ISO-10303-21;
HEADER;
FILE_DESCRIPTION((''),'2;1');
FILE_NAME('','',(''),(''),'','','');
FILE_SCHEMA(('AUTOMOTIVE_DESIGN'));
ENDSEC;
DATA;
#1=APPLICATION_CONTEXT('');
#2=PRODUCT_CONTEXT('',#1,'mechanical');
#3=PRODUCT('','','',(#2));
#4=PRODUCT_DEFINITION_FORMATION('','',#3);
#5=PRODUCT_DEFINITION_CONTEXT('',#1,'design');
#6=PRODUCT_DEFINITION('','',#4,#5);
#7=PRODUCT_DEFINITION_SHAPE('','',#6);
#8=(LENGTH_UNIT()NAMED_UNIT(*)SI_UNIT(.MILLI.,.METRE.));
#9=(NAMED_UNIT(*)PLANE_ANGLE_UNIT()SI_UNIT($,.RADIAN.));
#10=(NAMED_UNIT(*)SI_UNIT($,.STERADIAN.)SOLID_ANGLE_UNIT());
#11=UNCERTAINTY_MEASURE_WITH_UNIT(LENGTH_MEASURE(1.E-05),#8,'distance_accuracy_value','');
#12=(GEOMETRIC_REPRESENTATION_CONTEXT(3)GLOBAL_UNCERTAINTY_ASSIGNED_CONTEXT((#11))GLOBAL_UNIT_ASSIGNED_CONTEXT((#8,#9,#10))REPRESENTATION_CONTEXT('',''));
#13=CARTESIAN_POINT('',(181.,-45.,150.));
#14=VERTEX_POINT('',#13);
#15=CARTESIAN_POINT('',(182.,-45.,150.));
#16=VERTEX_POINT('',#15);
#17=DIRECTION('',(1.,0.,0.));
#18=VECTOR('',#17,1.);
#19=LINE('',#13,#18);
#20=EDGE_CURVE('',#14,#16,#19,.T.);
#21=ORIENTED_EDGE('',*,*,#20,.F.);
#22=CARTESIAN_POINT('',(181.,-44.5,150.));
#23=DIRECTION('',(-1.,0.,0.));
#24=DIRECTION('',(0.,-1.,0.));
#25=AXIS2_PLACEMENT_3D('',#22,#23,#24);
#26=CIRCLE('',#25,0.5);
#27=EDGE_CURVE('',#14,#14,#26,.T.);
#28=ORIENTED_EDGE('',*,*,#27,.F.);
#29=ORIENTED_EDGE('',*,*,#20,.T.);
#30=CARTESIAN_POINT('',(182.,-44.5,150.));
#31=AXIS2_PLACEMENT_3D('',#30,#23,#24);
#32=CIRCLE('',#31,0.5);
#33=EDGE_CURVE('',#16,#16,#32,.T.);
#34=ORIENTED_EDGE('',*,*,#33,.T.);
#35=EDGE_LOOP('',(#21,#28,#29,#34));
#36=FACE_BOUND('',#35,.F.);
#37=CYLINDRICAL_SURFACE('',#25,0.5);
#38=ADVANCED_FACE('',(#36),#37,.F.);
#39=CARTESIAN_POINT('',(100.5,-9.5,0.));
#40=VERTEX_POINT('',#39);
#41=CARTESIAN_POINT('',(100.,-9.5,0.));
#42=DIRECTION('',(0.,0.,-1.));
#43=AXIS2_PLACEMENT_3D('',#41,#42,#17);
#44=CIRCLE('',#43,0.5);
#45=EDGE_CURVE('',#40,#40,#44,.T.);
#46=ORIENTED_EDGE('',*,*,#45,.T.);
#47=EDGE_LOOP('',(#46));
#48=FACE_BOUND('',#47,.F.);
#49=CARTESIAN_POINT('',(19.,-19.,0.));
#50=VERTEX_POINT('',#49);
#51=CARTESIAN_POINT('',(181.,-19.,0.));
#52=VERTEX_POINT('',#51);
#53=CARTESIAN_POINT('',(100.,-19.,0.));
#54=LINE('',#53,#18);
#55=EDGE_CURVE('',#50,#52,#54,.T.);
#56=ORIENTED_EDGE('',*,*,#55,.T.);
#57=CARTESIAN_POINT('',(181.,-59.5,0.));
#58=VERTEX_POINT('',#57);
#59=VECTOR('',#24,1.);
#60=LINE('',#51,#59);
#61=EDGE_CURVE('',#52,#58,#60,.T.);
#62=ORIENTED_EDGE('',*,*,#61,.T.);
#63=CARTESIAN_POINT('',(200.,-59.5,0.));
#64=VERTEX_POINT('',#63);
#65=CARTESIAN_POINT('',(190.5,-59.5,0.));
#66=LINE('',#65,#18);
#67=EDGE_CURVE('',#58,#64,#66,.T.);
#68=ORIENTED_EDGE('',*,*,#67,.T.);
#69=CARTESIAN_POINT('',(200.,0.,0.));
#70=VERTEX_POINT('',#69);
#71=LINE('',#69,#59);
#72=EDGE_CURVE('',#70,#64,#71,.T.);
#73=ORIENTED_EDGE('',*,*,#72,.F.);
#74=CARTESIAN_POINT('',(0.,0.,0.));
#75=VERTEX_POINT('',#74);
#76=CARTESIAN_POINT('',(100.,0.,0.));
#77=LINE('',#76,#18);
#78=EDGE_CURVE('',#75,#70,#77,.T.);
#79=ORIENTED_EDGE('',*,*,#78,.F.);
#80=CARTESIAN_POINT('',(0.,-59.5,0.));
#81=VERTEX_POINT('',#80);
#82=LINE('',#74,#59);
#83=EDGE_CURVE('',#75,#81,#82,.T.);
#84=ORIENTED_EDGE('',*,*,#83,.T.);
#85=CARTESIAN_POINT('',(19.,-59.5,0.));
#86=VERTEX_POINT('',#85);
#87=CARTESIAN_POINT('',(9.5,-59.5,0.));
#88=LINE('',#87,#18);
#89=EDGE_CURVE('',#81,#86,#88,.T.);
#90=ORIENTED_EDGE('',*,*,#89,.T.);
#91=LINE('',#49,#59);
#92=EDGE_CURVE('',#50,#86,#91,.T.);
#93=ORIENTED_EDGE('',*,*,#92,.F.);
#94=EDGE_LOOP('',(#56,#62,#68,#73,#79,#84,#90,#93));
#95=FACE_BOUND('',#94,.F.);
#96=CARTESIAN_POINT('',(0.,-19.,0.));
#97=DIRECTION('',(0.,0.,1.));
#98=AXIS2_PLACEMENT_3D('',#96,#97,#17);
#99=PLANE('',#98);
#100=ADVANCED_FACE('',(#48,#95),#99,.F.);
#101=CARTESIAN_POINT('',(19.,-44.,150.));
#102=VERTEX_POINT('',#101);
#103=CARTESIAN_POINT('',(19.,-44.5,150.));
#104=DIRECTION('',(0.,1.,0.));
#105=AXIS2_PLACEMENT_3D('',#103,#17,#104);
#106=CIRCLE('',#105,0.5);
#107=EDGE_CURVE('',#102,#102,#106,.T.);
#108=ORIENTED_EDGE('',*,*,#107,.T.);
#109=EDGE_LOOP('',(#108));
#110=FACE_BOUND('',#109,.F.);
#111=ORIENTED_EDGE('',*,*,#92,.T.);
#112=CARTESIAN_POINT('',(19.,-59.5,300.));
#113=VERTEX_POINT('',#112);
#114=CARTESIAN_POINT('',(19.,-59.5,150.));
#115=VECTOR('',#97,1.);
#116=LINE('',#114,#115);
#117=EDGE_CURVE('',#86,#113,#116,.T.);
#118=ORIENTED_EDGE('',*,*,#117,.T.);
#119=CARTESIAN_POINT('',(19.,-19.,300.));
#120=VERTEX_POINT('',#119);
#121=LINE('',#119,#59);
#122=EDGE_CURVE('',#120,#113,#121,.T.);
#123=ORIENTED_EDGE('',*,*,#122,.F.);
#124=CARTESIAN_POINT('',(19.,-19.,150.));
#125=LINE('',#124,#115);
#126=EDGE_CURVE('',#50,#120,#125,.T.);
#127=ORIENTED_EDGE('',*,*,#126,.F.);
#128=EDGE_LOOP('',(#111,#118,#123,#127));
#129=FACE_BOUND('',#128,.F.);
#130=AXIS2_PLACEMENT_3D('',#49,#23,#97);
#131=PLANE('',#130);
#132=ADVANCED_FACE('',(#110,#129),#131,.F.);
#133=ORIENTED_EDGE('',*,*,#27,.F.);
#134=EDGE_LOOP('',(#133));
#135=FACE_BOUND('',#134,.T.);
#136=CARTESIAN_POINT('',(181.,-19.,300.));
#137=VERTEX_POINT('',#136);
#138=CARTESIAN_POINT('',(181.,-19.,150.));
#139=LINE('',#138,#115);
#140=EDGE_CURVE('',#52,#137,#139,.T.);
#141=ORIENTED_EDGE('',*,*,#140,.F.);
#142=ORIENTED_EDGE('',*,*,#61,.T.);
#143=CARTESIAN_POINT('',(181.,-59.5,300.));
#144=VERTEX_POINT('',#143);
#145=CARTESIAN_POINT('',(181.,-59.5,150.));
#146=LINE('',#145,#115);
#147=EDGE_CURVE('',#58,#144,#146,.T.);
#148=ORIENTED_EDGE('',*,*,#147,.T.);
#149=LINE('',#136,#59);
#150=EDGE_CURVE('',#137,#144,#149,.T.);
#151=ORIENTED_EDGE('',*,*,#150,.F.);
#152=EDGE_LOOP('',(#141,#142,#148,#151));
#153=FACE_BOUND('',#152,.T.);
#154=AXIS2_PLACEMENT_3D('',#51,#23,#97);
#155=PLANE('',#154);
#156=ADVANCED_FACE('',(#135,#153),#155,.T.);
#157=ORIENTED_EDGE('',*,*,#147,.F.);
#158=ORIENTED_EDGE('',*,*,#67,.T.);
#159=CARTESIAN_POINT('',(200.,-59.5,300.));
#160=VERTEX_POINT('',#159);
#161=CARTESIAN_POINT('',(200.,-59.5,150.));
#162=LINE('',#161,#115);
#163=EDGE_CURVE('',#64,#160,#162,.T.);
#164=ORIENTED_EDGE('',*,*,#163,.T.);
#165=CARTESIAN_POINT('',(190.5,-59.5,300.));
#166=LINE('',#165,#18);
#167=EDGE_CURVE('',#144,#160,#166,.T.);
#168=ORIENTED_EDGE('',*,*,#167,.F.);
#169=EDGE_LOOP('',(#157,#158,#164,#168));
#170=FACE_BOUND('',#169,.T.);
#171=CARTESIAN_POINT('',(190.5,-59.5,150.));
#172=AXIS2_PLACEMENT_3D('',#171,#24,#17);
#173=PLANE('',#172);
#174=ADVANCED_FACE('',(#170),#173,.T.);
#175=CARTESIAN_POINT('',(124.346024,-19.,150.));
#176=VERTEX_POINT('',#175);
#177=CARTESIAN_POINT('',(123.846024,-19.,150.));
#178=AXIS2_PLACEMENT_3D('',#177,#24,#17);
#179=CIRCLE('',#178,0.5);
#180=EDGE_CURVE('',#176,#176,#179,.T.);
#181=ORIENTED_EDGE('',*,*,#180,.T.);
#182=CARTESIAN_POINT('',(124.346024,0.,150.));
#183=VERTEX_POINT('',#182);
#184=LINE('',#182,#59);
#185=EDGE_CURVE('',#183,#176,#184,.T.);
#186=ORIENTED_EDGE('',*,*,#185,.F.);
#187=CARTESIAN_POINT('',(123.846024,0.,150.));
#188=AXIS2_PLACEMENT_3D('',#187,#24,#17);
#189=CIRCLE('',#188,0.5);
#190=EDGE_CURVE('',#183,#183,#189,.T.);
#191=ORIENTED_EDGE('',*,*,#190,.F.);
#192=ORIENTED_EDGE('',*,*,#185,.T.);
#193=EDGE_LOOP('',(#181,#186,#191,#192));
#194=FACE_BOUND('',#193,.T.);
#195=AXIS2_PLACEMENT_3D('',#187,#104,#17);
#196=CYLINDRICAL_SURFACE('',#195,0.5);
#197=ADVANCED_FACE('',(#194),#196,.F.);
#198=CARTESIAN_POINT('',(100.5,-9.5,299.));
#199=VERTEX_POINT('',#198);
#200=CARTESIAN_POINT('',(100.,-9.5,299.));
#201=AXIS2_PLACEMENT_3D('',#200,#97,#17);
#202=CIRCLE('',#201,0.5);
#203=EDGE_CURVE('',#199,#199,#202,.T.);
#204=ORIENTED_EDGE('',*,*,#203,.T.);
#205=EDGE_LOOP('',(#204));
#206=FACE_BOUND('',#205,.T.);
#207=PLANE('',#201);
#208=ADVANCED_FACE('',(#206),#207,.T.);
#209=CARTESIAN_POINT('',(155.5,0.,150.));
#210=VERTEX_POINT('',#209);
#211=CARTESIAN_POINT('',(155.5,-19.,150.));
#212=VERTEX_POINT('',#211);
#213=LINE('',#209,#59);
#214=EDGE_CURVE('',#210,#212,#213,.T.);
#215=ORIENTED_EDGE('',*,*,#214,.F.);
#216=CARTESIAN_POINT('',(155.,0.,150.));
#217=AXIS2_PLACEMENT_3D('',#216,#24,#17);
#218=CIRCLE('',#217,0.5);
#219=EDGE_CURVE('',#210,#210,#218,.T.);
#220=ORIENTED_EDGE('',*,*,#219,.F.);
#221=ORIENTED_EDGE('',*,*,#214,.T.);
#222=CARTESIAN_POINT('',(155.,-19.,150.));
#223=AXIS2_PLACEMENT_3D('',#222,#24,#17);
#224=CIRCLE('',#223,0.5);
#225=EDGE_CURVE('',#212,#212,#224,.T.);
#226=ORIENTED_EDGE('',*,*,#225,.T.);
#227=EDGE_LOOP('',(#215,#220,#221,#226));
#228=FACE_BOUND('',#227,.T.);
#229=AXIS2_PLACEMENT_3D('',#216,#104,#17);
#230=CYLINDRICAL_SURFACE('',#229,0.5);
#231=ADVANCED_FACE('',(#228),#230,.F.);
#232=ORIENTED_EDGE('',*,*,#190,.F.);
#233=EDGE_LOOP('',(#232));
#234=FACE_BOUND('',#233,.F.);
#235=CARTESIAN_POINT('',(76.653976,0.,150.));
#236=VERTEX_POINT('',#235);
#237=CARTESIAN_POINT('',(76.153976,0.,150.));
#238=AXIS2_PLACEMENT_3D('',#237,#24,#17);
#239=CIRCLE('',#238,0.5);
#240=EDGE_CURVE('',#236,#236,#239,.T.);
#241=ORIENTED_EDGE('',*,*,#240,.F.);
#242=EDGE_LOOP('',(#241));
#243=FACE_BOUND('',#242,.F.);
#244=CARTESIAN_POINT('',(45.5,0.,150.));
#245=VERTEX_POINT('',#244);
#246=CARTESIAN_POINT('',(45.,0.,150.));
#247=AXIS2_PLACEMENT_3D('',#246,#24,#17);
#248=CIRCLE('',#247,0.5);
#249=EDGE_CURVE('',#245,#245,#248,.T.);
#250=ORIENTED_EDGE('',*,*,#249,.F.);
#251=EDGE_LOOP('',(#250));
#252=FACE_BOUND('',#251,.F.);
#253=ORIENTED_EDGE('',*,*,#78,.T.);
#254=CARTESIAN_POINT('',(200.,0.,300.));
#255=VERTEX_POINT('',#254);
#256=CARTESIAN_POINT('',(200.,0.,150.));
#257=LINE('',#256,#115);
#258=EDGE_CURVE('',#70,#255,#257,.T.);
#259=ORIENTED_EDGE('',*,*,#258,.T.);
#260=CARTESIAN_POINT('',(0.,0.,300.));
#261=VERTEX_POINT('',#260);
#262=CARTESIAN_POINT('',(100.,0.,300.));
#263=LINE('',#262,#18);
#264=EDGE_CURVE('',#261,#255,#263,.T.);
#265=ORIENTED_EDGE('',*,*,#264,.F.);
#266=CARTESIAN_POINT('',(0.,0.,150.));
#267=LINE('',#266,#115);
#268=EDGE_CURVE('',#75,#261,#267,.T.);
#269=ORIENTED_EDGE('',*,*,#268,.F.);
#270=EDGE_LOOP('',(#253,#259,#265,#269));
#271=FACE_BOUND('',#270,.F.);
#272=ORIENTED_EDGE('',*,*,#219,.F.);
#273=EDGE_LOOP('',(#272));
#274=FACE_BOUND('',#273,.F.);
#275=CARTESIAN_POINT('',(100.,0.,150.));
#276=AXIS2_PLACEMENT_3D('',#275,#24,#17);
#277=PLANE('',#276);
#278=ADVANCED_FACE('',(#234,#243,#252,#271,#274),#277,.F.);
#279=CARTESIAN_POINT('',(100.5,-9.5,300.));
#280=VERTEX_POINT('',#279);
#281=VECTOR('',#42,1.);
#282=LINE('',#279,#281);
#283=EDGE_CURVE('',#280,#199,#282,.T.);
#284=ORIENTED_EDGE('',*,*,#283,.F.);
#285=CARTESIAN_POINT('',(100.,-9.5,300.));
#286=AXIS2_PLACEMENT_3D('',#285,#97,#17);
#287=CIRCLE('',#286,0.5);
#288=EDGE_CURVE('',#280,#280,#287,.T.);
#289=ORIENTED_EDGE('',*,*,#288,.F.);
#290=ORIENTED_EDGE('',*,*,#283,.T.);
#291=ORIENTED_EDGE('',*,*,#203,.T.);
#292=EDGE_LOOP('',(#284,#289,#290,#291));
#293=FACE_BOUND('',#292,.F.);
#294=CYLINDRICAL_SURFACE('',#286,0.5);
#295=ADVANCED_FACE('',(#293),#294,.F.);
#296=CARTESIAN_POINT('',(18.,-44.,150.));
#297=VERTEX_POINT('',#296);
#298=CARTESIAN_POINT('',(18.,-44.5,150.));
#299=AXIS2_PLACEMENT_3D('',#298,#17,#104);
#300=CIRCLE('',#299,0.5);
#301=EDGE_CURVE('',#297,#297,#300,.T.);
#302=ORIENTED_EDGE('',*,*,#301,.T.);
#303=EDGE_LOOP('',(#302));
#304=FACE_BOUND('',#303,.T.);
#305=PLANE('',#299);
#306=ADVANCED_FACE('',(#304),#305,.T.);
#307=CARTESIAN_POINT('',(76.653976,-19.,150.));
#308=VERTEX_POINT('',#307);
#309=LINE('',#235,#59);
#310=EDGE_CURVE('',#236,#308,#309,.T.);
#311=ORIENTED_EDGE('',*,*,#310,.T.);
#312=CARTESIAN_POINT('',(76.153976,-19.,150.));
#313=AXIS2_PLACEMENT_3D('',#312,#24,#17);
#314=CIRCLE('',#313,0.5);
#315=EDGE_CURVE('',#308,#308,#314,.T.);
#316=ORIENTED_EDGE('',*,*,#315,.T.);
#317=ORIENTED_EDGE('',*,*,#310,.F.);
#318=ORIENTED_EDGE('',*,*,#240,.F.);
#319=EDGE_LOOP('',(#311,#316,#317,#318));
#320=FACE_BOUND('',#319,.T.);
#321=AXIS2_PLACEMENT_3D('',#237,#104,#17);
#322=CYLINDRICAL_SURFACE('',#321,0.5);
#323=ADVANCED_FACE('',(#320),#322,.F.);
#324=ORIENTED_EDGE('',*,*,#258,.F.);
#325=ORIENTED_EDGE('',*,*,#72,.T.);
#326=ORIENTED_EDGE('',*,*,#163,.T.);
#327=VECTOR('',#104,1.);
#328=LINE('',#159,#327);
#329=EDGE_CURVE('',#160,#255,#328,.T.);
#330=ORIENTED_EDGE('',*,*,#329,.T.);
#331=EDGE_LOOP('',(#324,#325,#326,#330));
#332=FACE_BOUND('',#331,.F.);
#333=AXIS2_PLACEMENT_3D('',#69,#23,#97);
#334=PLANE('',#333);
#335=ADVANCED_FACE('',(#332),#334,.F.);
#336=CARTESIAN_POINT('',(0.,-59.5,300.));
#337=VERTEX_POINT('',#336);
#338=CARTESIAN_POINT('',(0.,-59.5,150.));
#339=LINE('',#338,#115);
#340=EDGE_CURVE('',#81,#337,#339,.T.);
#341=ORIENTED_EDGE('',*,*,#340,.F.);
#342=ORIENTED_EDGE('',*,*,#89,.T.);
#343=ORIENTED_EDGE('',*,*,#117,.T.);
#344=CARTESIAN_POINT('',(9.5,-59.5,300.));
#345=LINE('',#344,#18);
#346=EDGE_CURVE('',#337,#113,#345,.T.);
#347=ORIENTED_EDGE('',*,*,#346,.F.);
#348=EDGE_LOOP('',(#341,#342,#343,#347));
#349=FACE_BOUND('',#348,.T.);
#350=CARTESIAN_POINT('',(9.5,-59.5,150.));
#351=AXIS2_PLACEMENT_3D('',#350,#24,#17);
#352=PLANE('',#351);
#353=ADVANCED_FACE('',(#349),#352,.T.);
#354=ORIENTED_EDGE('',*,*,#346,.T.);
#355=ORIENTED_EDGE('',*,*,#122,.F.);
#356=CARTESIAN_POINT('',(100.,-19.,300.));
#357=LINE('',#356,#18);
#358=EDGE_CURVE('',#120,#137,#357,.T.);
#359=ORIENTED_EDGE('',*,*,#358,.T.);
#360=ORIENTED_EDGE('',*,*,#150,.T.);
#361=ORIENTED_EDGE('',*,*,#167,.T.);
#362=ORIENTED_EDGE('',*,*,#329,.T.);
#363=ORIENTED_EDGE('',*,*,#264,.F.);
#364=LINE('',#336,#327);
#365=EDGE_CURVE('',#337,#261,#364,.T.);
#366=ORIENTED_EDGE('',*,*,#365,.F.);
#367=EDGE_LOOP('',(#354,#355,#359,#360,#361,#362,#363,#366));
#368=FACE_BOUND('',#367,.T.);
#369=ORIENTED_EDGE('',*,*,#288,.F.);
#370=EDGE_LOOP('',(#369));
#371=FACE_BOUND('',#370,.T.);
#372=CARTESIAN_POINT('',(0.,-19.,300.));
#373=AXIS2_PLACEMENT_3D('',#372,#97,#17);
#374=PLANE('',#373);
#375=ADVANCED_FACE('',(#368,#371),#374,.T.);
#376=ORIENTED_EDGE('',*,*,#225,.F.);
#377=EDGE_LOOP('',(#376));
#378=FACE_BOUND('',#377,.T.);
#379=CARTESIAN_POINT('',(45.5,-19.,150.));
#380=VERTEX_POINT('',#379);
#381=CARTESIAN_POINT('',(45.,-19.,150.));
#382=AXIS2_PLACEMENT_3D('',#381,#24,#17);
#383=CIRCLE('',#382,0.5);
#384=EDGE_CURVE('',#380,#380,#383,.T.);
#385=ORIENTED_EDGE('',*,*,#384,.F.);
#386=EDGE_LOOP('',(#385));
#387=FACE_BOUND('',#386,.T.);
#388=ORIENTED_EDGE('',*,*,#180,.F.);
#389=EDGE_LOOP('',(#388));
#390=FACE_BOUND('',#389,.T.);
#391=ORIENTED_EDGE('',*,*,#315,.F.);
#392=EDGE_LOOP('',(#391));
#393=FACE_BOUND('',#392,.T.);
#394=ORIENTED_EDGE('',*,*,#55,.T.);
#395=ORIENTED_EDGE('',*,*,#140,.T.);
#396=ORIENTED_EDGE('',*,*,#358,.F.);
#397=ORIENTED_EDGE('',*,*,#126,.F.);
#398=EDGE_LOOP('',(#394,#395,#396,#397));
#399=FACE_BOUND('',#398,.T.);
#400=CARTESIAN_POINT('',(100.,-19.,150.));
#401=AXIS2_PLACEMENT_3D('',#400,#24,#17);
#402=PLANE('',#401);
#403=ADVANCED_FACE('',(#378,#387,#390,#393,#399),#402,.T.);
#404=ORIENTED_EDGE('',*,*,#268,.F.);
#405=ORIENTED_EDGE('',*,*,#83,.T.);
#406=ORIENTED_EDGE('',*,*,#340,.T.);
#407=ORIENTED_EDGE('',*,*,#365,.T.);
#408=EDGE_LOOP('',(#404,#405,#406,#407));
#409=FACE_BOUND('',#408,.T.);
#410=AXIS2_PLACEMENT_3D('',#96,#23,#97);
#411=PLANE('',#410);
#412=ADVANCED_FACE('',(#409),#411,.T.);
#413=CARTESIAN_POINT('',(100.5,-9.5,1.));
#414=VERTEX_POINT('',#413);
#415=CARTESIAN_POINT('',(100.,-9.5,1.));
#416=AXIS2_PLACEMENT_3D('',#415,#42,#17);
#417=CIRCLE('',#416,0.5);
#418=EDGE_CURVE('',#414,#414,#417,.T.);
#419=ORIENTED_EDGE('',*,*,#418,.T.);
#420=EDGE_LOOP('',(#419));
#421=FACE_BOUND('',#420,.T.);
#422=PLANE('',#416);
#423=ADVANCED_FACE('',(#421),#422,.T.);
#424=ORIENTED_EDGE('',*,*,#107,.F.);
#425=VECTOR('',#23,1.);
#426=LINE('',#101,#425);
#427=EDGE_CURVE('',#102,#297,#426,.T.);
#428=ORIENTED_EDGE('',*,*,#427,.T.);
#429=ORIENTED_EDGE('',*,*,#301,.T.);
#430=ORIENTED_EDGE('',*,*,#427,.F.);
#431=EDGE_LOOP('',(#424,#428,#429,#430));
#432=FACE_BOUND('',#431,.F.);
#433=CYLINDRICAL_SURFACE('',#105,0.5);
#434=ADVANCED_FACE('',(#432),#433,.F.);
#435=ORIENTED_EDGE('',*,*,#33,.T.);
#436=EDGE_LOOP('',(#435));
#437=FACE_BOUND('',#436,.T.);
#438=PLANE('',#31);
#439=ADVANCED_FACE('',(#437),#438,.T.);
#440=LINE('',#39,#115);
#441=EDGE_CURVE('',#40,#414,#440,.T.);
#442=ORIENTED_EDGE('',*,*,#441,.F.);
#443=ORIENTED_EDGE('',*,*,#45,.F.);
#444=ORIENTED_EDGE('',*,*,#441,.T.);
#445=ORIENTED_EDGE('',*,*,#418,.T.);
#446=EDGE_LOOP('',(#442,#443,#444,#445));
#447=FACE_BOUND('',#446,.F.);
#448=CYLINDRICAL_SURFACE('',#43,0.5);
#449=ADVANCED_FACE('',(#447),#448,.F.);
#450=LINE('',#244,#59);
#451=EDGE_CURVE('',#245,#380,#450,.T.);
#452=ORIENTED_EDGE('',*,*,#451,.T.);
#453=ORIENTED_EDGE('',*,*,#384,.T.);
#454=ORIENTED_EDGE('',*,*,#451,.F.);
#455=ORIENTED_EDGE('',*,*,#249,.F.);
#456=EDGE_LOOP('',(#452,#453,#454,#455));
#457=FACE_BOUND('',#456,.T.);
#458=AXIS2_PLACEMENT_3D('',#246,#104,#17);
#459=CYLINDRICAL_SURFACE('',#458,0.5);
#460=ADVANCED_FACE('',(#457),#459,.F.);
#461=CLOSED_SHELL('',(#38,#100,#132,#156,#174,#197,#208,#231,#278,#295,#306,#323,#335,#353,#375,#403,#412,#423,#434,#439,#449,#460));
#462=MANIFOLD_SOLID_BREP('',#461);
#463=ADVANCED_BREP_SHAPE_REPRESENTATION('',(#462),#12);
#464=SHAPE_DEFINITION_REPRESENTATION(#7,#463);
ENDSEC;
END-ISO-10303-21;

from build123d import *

# Parameters (mm, degrees)
F0_W      = 200
F0_H      = 300
F0_R      = 0.5
F1_DEPTH  = 19
F2_W      = 19
F2_H      = 300
F3_DEPTH  = 40.5
F4_R      = 0.5
F5_DEPTH  = 1
F6_R      = 0.5
F7_DEPTH  = 1
F8_R      = 0.5
F9_DEPTH  = 1
F10_R     = 0.5
F11_DEPTH = 1


with BuildPart() as f1:
    # F0 (on Front) → F1 (new body)
    with BuildSketch(Plane.XZ):
        with Locations((100, 150)):
            Rectangle(F0_W, F0_H)
        with Locations((45, 150)):
            Circle(F0_R, mode=Mode.SUBTRACT)
        with Locations((76.153976, 150)):
            Circle(F0_R, mode=Mode.SUBTRACT)
        with Locations((123.846024, 150)):
            Circle(F0_R, mode=Mode.SUBTRACT)
        with Locations((155, 150)):
            Circle(F0_R, mode=Mode.SUBTRACT)
    extrude(amount=F1_DEPTH)

    # F2 (on face) → F3 (join)
    with BuildSketch(Plane.XZ.offset(19)):
        with Locations((9.5, 150)):
            Rectangle(F2_W, F2_H)
        with Locations((190.5, 150)):
            Rectangle(F2_W, F2_H)
    extrude(amount=F3_DEPTH)

    # F4 (on face) → F5 (cut)
    with BuildSketch(Plane.YZ.offset(19)):
        with Locations((-44.5, 150)):
            Circle(F4_R)
    extrude(amount=-F5_DEPTH, mode=Mode.SUBTRACT)

    # F6 (on face) → F7 (cut)
    with BuildSketch(Plane(origin=(181, 0, 0), x_dir=(0, -1, 0), z_dir=(-1, 0, 0))):
        with Locations((44.5, 150)):
            Circle(F6_R)
    extrude(amount=-F7_DEPTH, mode=Mode.SUBTRACT)

    # F8 (on face) → F9 (cut)
    with BuildSketch(Plane(origin=(0, 0, 0), x_dir=(1, 0, 0), z_dir=(0, 0, -1))):
        with Locations((100, 9.5)):
            Circle(F8_R)
    extrude(amount=-F9_DEPTH, mode=Mode.SUBTRACT)

    # F10 (on face) → F11 (cut)
    with BuildSketch(Plane.XY.offset(300)):
        with Locations((100, -9.5)):
            Circle(F10_R)
    extrude(amount=-F11_DEPTH, mode=Mode.SUBTRACT)


solid = f1.part
